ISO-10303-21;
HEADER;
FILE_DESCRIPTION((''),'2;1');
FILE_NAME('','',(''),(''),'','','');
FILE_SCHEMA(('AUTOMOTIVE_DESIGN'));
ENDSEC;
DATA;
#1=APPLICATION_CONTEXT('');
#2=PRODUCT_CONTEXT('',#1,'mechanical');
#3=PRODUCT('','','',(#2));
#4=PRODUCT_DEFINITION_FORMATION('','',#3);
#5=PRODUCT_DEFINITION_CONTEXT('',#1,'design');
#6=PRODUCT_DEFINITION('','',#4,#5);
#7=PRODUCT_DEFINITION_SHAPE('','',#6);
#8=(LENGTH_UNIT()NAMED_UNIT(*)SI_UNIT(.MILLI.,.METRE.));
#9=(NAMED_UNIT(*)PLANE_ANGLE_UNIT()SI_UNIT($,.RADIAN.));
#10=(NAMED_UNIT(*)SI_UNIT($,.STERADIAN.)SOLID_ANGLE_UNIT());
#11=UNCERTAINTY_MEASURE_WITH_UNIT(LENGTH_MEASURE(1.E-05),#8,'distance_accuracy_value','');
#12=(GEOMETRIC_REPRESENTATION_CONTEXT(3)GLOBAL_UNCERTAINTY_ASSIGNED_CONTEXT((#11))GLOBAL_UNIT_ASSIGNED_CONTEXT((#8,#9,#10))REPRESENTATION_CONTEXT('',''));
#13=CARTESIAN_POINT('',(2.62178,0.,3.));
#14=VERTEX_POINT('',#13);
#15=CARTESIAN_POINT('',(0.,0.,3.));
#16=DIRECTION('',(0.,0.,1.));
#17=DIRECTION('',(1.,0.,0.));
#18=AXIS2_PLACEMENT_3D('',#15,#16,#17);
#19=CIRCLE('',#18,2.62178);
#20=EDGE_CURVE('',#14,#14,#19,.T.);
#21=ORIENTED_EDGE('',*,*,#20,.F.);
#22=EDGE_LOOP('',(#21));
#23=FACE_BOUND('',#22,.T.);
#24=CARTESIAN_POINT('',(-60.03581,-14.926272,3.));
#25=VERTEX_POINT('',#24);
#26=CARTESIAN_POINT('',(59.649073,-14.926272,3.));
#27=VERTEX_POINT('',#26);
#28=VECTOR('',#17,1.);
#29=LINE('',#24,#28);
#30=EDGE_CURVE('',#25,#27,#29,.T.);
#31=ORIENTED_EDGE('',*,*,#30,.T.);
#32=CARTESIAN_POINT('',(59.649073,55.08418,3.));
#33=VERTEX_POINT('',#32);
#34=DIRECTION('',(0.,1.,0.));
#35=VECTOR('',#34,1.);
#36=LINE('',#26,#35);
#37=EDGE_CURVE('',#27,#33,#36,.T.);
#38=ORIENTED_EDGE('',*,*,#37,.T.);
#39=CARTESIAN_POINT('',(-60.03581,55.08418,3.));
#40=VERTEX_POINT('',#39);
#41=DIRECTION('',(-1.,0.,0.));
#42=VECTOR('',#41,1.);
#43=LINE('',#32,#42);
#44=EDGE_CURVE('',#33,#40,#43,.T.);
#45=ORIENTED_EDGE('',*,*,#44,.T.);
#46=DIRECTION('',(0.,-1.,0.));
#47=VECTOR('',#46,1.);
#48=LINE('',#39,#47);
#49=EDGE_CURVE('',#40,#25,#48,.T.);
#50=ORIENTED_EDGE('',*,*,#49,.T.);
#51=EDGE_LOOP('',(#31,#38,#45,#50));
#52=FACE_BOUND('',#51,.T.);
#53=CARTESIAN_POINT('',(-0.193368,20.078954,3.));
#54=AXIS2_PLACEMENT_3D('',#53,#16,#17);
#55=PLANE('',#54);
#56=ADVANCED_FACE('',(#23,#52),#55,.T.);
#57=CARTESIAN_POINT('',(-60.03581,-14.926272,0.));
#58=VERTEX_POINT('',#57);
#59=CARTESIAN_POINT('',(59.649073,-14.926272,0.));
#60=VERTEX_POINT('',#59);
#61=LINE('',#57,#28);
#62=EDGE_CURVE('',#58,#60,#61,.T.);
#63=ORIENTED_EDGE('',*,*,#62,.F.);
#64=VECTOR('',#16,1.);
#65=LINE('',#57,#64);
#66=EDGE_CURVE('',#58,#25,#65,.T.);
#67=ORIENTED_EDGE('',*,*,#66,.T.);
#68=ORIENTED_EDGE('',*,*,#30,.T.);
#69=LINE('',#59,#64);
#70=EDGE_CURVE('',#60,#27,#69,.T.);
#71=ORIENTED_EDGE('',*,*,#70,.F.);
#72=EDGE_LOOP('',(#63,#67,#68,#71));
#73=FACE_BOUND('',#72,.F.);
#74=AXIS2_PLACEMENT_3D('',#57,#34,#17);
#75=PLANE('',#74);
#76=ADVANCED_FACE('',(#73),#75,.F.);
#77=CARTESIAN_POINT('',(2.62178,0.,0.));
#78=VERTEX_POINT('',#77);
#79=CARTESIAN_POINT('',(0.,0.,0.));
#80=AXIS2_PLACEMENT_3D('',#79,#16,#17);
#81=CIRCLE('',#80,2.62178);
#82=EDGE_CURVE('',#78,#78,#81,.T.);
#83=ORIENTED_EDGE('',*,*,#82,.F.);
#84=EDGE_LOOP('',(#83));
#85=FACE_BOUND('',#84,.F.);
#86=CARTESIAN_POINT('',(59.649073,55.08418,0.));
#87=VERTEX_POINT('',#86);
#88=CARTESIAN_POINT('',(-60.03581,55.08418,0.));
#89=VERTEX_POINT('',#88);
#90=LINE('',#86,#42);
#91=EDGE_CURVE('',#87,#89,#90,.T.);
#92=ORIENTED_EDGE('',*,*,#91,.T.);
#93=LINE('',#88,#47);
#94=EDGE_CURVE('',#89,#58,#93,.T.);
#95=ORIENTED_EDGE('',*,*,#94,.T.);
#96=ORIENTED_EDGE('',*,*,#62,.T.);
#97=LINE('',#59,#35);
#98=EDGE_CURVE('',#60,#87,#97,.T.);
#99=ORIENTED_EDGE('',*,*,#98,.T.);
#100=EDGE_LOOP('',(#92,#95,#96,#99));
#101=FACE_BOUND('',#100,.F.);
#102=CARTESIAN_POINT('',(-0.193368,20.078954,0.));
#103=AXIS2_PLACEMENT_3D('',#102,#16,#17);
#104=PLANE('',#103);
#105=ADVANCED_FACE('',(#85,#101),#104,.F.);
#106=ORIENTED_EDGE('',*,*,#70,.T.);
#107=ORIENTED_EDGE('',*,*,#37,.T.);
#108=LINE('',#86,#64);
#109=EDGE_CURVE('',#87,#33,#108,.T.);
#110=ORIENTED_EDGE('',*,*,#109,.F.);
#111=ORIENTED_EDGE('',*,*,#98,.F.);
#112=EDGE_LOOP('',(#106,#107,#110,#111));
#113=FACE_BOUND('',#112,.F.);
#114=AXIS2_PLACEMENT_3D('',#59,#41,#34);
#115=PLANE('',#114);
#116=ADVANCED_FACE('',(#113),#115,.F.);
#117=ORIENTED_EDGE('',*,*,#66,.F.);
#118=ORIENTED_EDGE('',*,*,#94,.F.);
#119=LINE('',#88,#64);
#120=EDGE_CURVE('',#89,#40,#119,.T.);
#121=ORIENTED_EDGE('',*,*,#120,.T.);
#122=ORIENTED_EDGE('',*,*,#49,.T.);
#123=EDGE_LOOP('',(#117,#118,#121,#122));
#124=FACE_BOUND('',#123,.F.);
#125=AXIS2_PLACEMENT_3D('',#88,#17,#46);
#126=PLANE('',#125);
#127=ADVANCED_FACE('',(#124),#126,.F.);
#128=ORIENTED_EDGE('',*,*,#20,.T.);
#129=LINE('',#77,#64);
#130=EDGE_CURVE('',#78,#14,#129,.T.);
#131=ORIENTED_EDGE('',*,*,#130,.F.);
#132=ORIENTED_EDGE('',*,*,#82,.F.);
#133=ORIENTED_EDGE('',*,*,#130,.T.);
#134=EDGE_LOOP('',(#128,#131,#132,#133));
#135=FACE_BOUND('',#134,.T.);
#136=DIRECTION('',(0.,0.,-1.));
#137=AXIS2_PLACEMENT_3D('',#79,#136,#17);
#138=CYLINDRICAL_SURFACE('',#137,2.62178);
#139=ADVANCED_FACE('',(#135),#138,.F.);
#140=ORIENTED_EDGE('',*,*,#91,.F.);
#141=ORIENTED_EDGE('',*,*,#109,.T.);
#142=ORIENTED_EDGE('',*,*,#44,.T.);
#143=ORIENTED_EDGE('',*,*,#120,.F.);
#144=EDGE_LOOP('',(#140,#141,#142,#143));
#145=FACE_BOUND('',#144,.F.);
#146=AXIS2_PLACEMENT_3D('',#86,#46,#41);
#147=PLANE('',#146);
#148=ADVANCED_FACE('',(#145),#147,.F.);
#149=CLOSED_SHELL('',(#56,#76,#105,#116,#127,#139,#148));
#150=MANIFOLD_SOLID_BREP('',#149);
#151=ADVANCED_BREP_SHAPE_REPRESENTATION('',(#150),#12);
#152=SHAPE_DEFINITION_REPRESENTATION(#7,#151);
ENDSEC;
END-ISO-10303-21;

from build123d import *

# Parameters (mm, degrees)
F0_R     = 2.62178
F1_DEPTH = 3


with BuildPart() as f1:
    # F0 (on Top) → F1 (new body)
    with BuildSketch(Plane.XY):
        Polygon((-60.03581, -14.926272), (0, -14.926272), (59.649073, -14.926272), (59.649073, 55.08418), (-60.03581, 55.08418), align=None)
        Circle(F0_R, mode=Mode.SUBTRACT)
    extrude(amount=F1_DEPTH)


solid = f1.part
